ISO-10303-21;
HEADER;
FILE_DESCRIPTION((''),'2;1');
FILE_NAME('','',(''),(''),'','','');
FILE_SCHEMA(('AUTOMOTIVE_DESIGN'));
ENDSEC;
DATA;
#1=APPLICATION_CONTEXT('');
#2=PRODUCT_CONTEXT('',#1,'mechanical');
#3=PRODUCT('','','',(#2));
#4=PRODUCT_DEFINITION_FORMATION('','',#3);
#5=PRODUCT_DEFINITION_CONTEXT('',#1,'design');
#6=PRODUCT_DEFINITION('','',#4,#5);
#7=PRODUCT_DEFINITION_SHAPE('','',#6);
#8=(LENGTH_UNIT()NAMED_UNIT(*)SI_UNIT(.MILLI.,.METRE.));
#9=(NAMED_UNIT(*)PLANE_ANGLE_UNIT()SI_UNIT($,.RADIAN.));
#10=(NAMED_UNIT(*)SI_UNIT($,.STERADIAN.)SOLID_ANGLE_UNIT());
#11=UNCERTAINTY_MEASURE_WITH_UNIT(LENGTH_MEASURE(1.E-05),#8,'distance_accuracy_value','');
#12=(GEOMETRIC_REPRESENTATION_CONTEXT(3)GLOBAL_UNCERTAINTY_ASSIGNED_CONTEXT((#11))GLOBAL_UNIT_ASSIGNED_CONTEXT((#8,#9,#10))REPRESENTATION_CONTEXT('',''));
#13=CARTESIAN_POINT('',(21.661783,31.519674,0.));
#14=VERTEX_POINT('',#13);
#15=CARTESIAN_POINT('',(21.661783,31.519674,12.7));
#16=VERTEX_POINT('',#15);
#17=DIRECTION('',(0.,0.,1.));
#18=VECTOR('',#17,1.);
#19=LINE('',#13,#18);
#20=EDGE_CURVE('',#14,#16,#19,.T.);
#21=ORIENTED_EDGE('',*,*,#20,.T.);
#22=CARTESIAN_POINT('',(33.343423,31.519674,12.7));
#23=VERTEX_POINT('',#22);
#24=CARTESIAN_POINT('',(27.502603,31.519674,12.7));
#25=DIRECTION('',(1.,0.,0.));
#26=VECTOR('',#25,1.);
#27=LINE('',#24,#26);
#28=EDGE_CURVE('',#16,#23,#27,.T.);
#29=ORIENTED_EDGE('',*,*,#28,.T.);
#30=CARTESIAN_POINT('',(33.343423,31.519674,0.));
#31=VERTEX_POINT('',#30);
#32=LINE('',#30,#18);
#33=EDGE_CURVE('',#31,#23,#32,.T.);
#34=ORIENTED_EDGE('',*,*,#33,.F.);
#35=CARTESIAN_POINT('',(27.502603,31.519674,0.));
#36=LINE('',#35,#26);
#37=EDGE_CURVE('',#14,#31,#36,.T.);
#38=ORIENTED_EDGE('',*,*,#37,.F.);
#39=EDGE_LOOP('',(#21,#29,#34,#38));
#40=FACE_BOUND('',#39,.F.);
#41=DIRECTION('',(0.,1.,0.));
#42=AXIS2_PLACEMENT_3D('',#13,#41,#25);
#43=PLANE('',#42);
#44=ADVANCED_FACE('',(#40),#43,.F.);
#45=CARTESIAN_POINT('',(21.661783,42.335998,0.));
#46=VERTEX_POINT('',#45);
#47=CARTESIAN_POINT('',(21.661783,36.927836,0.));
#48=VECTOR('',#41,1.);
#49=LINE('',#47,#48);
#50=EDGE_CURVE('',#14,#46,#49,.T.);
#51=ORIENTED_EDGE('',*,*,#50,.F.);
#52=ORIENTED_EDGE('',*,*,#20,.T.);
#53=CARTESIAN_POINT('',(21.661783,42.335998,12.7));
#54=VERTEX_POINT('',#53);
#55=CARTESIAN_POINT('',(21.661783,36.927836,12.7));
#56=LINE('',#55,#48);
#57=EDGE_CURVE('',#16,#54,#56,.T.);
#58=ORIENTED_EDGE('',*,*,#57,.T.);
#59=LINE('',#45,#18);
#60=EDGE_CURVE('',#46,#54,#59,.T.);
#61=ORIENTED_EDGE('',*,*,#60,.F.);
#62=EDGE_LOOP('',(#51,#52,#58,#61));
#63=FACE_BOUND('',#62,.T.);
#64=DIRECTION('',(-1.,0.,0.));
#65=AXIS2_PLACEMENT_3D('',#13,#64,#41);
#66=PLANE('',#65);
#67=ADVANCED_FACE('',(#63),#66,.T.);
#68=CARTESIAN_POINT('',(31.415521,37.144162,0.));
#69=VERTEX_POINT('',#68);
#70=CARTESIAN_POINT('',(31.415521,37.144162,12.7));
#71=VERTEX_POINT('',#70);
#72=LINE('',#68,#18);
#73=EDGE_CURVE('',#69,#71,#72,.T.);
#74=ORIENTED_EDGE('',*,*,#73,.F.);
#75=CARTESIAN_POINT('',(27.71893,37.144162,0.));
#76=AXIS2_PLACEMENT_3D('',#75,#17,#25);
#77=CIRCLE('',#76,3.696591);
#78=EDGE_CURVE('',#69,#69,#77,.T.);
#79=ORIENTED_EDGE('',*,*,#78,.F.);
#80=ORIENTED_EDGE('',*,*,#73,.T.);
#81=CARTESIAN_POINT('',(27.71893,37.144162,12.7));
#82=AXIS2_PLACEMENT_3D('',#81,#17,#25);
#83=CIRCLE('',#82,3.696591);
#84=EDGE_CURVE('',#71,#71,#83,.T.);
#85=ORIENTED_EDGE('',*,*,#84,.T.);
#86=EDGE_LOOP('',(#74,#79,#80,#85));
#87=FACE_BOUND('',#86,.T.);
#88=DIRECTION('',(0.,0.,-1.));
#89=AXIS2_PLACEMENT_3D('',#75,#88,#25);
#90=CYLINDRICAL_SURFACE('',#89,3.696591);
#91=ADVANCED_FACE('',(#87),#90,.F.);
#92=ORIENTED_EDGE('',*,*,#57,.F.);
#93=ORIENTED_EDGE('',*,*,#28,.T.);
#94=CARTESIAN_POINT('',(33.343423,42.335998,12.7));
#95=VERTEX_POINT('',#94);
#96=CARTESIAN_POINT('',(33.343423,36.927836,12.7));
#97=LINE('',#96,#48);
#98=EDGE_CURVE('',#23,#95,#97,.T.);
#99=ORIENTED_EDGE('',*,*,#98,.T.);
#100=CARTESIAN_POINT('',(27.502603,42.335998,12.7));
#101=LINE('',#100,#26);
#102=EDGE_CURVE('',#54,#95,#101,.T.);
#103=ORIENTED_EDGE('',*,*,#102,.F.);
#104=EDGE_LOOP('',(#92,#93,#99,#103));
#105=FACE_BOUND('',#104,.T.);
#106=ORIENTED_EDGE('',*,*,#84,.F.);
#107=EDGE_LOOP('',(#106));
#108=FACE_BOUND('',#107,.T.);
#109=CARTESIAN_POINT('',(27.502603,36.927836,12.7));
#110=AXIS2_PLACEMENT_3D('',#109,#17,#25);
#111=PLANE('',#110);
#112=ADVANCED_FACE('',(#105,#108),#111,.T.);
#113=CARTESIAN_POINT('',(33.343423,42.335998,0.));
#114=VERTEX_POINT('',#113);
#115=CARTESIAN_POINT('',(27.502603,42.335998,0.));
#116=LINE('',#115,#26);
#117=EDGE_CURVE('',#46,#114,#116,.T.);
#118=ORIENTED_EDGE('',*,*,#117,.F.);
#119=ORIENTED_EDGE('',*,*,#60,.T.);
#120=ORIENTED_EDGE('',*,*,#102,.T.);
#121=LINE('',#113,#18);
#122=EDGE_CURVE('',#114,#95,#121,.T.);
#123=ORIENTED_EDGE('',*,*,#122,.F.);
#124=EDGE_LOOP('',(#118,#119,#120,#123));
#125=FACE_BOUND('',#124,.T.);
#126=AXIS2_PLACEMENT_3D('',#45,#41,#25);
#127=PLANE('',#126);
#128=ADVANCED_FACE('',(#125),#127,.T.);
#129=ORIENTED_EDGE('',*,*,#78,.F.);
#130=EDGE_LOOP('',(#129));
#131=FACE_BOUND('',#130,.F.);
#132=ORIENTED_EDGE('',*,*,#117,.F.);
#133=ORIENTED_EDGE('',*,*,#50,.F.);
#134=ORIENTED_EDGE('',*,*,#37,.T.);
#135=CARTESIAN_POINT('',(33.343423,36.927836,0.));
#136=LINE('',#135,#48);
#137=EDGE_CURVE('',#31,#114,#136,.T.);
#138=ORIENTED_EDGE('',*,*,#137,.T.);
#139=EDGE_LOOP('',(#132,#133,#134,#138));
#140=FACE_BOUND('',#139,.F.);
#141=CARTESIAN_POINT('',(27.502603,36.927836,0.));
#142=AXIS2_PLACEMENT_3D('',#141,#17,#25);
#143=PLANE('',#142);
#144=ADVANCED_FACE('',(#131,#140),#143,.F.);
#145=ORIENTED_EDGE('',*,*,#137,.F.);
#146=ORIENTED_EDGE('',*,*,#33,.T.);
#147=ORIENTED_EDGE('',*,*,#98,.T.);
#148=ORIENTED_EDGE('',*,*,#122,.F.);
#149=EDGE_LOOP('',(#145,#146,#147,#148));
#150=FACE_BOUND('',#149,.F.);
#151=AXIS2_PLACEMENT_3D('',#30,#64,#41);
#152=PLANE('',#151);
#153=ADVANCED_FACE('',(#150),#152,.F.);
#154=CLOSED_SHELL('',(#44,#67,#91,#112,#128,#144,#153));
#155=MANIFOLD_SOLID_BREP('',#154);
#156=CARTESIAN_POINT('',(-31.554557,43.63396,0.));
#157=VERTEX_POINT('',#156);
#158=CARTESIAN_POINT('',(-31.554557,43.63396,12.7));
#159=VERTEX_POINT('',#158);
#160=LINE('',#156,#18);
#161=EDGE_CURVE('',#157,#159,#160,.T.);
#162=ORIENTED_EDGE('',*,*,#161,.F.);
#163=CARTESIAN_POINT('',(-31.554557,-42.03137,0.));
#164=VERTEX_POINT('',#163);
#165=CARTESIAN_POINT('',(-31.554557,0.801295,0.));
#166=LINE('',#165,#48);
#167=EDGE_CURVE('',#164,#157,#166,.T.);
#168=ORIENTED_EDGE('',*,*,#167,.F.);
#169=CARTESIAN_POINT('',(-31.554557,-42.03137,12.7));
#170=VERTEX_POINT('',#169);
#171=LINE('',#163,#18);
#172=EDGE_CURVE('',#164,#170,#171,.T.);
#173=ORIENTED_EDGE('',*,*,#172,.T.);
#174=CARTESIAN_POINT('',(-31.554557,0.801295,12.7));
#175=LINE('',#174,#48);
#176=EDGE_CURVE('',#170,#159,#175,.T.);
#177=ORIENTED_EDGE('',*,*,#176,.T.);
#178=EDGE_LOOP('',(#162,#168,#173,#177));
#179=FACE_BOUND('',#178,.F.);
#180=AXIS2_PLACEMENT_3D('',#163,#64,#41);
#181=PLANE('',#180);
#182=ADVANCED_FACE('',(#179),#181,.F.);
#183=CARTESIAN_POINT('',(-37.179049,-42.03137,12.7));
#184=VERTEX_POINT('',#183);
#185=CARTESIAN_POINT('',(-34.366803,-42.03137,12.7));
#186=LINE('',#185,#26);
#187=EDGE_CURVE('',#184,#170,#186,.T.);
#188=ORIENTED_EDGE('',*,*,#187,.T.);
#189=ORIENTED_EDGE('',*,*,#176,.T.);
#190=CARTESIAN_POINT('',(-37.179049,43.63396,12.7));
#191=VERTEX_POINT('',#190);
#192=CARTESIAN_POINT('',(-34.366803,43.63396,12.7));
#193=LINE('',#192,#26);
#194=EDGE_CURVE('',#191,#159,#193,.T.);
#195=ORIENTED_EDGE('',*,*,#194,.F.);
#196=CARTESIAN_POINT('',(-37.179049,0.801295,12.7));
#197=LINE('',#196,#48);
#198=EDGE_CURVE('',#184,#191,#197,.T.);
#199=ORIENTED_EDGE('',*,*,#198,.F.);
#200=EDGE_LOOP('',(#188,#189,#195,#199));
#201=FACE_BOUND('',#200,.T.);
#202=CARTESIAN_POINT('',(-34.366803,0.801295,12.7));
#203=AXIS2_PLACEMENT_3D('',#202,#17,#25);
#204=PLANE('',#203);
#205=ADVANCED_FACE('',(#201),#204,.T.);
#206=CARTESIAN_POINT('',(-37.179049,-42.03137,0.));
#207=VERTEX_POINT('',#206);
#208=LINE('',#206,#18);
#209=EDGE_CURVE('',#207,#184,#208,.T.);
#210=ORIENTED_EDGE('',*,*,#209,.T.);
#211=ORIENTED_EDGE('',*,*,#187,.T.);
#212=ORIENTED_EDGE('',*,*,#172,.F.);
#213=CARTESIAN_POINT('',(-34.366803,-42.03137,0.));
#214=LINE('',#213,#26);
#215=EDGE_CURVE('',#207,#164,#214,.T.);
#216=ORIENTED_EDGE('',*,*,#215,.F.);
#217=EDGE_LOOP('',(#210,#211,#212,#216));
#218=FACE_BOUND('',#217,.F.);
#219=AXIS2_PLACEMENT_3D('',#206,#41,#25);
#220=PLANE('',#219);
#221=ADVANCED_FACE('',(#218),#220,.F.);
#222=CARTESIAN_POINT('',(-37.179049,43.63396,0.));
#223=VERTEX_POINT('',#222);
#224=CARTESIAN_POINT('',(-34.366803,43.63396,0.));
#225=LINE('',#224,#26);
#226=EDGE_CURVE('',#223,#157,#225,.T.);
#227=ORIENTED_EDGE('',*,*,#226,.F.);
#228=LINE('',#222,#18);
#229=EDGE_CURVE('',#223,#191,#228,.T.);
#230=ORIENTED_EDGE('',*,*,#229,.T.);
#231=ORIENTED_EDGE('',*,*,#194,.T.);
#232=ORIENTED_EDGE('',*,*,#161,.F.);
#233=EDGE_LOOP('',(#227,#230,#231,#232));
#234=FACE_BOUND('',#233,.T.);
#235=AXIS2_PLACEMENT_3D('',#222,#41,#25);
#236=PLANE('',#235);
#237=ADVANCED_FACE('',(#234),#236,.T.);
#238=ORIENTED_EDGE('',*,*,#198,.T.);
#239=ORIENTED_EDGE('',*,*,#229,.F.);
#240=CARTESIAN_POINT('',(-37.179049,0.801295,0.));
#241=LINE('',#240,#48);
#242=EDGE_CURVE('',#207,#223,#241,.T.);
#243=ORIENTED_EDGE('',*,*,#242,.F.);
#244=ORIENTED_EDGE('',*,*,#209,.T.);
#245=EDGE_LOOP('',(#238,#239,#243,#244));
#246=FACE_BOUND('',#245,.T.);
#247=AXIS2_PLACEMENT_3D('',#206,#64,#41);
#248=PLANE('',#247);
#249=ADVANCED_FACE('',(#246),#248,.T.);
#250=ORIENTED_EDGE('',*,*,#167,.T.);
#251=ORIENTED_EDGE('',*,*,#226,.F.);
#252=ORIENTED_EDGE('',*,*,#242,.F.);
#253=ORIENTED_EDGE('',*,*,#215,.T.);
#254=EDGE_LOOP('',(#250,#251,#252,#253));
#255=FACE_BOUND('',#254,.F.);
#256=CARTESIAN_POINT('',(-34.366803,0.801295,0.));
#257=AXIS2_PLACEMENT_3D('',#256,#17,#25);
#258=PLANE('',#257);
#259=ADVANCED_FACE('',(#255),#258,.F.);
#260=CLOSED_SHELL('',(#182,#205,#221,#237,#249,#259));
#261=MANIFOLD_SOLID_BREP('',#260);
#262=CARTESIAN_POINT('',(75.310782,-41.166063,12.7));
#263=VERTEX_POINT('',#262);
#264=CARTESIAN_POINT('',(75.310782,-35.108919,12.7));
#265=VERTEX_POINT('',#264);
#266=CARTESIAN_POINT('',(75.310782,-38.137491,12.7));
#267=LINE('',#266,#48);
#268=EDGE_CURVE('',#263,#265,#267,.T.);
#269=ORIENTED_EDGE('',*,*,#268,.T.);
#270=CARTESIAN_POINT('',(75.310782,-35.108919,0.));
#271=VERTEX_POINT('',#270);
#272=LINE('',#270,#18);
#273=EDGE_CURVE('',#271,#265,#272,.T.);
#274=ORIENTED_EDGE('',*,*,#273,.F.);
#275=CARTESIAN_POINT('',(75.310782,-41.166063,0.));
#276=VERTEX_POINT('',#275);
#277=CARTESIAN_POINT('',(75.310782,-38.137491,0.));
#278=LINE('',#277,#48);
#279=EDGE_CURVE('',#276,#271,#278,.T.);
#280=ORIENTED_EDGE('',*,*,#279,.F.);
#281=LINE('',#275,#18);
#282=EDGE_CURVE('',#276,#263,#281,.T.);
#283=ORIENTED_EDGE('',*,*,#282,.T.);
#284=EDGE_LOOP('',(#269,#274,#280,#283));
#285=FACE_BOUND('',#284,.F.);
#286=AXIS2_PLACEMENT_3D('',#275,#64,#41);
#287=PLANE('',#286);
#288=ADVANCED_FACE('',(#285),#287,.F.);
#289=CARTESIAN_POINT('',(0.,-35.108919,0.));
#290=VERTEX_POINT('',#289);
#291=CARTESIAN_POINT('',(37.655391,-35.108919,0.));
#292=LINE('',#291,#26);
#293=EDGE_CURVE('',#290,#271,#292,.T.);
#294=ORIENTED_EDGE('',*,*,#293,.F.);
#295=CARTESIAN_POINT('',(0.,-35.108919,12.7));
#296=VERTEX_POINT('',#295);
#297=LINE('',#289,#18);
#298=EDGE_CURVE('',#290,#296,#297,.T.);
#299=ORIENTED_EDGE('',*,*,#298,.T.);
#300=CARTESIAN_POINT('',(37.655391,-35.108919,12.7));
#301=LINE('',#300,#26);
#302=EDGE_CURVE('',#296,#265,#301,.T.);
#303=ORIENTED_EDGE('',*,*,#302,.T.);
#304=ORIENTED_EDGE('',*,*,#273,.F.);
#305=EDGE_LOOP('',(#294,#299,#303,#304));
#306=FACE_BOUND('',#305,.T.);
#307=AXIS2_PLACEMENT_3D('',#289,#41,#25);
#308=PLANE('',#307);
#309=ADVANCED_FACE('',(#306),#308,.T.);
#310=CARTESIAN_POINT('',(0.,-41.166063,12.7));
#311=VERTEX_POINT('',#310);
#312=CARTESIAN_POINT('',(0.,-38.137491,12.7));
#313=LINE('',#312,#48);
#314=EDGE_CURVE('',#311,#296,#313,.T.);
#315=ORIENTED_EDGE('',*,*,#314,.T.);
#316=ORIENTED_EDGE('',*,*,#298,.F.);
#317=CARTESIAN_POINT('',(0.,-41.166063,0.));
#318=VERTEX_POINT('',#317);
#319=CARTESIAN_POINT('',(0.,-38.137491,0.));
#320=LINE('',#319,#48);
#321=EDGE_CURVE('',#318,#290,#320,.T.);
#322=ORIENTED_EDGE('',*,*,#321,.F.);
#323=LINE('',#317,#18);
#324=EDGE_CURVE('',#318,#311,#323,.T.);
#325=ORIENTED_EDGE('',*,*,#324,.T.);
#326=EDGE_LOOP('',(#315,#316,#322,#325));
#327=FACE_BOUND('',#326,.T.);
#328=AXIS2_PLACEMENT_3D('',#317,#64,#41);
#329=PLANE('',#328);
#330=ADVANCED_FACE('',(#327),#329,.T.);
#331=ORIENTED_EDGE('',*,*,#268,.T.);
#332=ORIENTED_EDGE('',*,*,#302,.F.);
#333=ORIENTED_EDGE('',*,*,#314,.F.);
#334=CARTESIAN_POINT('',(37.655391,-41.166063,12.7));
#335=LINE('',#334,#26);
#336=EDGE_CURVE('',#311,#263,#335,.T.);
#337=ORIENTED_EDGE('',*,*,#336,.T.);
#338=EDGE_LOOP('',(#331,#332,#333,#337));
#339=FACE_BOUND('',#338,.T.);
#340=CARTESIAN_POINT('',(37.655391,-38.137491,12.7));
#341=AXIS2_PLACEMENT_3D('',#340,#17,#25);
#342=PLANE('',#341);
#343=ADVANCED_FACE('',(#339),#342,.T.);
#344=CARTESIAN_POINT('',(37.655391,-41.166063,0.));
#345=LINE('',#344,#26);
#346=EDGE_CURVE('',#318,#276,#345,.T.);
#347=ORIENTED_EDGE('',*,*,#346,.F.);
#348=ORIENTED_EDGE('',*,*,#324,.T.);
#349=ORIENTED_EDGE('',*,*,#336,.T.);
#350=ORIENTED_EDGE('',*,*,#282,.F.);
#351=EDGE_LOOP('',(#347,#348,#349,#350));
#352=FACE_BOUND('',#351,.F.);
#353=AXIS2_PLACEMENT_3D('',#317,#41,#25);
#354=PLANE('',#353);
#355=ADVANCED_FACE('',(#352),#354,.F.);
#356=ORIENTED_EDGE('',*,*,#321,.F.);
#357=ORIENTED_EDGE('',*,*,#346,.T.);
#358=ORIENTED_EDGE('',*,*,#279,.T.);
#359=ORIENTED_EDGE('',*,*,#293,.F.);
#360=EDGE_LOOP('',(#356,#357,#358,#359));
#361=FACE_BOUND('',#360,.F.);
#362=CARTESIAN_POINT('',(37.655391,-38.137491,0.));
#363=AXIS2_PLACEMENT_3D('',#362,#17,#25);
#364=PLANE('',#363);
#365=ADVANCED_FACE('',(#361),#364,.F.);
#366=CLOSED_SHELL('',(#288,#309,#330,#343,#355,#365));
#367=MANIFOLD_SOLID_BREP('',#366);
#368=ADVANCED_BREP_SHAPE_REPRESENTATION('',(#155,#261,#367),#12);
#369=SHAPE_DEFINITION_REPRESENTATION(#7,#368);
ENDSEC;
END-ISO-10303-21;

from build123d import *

# Parameters (mm, degrees)
F0_W     = 5.624492
F0_H     = 85.66533
F0_W_2   = 11.681639
F0_H_2   = 10.816324
F0_R     = 3.696591
F0_W_3   = 75.310782
F0_H_3   = 6.057143
F1_DEPTH = 12.7


with BuildPart() as f1:
    # F0 (on Top) → F1 (new body)
    with BuildSketch(Plane.XY):
        with Locations((-34.366803, 0.801295)):
            Rectangle(F0_W, F0_H)
        with Locations((27.502603, 36.927836)):
            Rectangle(F0_W_2, F0_H_2)
        with Locations((27.71893, 37.144162)):
            Circle(F0_R, mode=Mode.SUBTRACT)
        with Locations((37.655391, -38.137491)):
            Rectangle(F0_W_3, F0_H_3)
    extrude(amount=F1_DEPTH)


solid = f1.part
